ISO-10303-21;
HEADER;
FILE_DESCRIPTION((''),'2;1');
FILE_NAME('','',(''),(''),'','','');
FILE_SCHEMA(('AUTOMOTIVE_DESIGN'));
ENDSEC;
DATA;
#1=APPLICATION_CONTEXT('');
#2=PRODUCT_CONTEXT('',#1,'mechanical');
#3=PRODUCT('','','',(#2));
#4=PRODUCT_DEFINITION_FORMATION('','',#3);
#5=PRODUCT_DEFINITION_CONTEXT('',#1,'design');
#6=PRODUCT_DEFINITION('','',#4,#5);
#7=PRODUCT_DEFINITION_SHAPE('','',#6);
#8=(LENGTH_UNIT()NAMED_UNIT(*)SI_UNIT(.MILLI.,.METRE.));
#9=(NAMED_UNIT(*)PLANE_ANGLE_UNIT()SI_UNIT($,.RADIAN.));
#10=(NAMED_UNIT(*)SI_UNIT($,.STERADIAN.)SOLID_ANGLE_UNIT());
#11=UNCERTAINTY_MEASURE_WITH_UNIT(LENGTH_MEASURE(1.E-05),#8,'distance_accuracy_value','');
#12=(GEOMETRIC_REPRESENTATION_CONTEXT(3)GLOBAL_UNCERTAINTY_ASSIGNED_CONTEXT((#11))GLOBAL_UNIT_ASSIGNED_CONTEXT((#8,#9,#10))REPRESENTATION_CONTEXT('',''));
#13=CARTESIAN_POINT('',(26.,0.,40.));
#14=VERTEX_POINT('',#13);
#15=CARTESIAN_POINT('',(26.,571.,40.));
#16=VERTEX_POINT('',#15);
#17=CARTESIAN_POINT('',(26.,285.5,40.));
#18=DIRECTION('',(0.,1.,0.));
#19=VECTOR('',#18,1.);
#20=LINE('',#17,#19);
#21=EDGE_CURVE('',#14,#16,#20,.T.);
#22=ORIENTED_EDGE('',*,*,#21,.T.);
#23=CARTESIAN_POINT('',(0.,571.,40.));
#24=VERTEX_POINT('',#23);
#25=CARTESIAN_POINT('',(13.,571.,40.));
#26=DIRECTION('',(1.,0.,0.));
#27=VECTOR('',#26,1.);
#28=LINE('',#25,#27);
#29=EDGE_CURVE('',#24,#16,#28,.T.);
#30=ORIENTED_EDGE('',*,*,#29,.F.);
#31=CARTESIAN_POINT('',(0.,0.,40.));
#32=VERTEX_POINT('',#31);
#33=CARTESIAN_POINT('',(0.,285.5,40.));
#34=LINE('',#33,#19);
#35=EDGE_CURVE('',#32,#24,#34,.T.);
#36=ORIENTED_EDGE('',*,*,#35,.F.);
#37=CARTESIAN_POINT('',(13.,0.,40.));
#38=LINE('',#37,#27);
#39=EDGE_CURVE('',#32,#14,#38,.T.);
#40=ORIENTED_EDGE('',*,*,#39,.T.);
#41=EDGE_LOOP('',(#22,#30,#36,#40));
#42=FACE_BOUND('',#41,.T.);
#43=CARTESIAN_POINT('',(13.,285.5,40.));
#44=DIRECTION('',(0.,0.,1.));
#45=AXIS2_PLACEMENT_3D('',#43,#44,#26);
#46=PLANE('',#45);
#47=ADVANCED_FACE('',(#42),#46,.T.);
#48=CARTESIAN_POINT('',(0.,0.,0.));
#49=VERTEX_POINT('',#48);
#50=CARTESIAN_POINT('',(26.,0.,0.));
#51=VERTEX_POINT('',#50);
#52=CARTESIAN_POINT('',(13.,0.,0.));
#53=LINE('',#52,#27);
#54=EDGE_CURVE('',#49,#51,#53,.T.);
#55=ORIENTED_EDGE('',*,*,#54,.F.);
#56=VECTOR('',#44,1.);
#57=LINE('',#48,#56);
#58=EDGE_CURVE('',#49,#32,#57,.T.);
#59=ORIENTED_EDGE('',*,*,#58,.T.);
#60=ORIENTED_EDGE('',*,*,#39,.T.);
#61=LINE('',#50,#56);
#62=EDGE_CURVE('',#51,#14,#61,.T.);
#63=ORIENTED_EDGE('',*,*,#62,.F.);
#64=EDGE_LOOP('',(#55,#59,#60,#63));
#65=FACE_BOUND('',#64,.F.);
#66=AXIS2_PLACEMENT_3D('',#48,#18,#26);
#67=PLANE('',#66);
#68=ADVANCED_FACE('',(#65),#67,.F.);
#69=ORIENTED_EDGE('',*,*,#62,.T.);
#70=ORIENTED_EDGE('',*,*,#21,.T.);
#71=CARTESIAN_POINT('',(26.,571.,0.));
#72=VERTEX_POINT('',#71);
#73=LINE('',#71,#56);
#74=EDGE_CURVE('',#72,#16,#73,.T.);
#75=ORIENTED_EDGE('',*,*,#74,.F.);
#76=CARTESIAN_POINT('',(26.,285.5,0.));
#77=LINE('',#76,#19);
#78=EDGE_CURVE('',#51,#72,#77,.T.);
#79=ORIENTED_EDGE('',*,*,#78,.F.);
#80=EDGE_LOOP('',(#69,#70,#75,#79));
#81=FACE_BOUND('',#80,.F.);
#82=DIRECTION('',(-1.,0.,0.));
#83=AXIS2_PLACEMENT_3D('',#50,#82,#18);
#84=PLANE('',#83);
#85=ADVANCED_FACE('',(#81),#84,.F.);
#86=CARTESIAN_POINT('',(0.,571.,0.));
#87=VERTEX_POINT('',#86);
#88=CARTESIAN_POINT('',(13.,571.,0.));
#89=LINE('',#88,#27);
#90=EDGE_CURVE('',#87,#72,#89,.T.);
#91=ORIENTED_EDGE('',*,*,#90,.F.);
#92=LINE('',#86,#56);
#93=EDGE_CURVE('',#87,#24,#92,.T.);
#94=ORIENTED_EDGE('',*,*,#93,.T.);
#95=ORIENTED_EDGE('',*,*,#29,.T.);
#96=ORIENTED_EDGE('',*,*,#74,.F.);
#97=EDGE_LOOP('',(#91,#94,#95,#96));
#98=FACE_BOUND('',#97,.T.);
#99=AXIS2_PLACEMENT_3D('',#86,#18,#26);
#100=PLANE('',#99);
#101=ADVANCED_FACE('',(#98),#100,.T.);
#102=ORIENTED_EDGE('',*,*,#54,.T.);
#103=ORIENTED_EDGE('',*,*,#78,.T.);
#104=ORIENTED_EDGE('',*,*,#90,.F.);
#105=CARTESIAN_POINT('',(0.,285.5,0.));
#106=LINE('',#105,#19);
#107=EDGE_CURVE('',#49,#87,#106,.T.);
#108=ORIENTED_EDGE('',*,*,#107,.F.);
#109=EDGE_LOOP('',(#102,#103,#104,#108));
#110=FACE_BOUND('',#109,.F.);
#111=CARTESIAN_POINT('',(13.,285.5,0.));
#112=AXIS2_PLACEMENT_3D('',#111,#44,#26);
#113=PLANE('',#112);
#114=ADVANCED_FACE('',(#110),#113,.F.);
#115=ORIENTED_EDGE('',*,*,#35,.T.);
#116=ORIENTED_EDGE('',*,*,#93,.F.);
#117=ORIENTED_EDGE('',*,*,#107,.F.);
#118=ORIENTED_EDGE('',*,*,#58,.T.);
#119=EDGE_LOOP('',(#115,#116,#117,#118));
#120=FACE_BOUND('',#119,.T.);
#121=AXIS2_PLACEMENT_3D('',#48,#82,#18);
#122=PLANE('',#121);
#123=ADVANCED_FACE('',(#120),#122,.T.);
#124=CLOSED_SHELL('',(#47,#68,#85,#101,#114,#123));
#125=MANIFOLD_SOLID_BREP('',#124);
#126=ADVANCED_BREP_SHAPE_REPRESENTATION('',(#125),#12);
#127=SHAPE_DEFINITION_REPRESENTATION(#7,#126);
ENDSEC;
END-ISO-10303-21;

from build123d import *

# Parameters (mm, degrees)
BOX_W     = 26
BOX_H     = 571
BOX_DEPTH = 40


with BuildPart() as part:
    # Box → Box (new body)
    with BuildSketch(Plane.XY):
        with Locations((13, 285.5)):
            Rectangle(BOX_W, BOX_H)
    extrude(amount=BOX_DEPTH)


solid = part.part
